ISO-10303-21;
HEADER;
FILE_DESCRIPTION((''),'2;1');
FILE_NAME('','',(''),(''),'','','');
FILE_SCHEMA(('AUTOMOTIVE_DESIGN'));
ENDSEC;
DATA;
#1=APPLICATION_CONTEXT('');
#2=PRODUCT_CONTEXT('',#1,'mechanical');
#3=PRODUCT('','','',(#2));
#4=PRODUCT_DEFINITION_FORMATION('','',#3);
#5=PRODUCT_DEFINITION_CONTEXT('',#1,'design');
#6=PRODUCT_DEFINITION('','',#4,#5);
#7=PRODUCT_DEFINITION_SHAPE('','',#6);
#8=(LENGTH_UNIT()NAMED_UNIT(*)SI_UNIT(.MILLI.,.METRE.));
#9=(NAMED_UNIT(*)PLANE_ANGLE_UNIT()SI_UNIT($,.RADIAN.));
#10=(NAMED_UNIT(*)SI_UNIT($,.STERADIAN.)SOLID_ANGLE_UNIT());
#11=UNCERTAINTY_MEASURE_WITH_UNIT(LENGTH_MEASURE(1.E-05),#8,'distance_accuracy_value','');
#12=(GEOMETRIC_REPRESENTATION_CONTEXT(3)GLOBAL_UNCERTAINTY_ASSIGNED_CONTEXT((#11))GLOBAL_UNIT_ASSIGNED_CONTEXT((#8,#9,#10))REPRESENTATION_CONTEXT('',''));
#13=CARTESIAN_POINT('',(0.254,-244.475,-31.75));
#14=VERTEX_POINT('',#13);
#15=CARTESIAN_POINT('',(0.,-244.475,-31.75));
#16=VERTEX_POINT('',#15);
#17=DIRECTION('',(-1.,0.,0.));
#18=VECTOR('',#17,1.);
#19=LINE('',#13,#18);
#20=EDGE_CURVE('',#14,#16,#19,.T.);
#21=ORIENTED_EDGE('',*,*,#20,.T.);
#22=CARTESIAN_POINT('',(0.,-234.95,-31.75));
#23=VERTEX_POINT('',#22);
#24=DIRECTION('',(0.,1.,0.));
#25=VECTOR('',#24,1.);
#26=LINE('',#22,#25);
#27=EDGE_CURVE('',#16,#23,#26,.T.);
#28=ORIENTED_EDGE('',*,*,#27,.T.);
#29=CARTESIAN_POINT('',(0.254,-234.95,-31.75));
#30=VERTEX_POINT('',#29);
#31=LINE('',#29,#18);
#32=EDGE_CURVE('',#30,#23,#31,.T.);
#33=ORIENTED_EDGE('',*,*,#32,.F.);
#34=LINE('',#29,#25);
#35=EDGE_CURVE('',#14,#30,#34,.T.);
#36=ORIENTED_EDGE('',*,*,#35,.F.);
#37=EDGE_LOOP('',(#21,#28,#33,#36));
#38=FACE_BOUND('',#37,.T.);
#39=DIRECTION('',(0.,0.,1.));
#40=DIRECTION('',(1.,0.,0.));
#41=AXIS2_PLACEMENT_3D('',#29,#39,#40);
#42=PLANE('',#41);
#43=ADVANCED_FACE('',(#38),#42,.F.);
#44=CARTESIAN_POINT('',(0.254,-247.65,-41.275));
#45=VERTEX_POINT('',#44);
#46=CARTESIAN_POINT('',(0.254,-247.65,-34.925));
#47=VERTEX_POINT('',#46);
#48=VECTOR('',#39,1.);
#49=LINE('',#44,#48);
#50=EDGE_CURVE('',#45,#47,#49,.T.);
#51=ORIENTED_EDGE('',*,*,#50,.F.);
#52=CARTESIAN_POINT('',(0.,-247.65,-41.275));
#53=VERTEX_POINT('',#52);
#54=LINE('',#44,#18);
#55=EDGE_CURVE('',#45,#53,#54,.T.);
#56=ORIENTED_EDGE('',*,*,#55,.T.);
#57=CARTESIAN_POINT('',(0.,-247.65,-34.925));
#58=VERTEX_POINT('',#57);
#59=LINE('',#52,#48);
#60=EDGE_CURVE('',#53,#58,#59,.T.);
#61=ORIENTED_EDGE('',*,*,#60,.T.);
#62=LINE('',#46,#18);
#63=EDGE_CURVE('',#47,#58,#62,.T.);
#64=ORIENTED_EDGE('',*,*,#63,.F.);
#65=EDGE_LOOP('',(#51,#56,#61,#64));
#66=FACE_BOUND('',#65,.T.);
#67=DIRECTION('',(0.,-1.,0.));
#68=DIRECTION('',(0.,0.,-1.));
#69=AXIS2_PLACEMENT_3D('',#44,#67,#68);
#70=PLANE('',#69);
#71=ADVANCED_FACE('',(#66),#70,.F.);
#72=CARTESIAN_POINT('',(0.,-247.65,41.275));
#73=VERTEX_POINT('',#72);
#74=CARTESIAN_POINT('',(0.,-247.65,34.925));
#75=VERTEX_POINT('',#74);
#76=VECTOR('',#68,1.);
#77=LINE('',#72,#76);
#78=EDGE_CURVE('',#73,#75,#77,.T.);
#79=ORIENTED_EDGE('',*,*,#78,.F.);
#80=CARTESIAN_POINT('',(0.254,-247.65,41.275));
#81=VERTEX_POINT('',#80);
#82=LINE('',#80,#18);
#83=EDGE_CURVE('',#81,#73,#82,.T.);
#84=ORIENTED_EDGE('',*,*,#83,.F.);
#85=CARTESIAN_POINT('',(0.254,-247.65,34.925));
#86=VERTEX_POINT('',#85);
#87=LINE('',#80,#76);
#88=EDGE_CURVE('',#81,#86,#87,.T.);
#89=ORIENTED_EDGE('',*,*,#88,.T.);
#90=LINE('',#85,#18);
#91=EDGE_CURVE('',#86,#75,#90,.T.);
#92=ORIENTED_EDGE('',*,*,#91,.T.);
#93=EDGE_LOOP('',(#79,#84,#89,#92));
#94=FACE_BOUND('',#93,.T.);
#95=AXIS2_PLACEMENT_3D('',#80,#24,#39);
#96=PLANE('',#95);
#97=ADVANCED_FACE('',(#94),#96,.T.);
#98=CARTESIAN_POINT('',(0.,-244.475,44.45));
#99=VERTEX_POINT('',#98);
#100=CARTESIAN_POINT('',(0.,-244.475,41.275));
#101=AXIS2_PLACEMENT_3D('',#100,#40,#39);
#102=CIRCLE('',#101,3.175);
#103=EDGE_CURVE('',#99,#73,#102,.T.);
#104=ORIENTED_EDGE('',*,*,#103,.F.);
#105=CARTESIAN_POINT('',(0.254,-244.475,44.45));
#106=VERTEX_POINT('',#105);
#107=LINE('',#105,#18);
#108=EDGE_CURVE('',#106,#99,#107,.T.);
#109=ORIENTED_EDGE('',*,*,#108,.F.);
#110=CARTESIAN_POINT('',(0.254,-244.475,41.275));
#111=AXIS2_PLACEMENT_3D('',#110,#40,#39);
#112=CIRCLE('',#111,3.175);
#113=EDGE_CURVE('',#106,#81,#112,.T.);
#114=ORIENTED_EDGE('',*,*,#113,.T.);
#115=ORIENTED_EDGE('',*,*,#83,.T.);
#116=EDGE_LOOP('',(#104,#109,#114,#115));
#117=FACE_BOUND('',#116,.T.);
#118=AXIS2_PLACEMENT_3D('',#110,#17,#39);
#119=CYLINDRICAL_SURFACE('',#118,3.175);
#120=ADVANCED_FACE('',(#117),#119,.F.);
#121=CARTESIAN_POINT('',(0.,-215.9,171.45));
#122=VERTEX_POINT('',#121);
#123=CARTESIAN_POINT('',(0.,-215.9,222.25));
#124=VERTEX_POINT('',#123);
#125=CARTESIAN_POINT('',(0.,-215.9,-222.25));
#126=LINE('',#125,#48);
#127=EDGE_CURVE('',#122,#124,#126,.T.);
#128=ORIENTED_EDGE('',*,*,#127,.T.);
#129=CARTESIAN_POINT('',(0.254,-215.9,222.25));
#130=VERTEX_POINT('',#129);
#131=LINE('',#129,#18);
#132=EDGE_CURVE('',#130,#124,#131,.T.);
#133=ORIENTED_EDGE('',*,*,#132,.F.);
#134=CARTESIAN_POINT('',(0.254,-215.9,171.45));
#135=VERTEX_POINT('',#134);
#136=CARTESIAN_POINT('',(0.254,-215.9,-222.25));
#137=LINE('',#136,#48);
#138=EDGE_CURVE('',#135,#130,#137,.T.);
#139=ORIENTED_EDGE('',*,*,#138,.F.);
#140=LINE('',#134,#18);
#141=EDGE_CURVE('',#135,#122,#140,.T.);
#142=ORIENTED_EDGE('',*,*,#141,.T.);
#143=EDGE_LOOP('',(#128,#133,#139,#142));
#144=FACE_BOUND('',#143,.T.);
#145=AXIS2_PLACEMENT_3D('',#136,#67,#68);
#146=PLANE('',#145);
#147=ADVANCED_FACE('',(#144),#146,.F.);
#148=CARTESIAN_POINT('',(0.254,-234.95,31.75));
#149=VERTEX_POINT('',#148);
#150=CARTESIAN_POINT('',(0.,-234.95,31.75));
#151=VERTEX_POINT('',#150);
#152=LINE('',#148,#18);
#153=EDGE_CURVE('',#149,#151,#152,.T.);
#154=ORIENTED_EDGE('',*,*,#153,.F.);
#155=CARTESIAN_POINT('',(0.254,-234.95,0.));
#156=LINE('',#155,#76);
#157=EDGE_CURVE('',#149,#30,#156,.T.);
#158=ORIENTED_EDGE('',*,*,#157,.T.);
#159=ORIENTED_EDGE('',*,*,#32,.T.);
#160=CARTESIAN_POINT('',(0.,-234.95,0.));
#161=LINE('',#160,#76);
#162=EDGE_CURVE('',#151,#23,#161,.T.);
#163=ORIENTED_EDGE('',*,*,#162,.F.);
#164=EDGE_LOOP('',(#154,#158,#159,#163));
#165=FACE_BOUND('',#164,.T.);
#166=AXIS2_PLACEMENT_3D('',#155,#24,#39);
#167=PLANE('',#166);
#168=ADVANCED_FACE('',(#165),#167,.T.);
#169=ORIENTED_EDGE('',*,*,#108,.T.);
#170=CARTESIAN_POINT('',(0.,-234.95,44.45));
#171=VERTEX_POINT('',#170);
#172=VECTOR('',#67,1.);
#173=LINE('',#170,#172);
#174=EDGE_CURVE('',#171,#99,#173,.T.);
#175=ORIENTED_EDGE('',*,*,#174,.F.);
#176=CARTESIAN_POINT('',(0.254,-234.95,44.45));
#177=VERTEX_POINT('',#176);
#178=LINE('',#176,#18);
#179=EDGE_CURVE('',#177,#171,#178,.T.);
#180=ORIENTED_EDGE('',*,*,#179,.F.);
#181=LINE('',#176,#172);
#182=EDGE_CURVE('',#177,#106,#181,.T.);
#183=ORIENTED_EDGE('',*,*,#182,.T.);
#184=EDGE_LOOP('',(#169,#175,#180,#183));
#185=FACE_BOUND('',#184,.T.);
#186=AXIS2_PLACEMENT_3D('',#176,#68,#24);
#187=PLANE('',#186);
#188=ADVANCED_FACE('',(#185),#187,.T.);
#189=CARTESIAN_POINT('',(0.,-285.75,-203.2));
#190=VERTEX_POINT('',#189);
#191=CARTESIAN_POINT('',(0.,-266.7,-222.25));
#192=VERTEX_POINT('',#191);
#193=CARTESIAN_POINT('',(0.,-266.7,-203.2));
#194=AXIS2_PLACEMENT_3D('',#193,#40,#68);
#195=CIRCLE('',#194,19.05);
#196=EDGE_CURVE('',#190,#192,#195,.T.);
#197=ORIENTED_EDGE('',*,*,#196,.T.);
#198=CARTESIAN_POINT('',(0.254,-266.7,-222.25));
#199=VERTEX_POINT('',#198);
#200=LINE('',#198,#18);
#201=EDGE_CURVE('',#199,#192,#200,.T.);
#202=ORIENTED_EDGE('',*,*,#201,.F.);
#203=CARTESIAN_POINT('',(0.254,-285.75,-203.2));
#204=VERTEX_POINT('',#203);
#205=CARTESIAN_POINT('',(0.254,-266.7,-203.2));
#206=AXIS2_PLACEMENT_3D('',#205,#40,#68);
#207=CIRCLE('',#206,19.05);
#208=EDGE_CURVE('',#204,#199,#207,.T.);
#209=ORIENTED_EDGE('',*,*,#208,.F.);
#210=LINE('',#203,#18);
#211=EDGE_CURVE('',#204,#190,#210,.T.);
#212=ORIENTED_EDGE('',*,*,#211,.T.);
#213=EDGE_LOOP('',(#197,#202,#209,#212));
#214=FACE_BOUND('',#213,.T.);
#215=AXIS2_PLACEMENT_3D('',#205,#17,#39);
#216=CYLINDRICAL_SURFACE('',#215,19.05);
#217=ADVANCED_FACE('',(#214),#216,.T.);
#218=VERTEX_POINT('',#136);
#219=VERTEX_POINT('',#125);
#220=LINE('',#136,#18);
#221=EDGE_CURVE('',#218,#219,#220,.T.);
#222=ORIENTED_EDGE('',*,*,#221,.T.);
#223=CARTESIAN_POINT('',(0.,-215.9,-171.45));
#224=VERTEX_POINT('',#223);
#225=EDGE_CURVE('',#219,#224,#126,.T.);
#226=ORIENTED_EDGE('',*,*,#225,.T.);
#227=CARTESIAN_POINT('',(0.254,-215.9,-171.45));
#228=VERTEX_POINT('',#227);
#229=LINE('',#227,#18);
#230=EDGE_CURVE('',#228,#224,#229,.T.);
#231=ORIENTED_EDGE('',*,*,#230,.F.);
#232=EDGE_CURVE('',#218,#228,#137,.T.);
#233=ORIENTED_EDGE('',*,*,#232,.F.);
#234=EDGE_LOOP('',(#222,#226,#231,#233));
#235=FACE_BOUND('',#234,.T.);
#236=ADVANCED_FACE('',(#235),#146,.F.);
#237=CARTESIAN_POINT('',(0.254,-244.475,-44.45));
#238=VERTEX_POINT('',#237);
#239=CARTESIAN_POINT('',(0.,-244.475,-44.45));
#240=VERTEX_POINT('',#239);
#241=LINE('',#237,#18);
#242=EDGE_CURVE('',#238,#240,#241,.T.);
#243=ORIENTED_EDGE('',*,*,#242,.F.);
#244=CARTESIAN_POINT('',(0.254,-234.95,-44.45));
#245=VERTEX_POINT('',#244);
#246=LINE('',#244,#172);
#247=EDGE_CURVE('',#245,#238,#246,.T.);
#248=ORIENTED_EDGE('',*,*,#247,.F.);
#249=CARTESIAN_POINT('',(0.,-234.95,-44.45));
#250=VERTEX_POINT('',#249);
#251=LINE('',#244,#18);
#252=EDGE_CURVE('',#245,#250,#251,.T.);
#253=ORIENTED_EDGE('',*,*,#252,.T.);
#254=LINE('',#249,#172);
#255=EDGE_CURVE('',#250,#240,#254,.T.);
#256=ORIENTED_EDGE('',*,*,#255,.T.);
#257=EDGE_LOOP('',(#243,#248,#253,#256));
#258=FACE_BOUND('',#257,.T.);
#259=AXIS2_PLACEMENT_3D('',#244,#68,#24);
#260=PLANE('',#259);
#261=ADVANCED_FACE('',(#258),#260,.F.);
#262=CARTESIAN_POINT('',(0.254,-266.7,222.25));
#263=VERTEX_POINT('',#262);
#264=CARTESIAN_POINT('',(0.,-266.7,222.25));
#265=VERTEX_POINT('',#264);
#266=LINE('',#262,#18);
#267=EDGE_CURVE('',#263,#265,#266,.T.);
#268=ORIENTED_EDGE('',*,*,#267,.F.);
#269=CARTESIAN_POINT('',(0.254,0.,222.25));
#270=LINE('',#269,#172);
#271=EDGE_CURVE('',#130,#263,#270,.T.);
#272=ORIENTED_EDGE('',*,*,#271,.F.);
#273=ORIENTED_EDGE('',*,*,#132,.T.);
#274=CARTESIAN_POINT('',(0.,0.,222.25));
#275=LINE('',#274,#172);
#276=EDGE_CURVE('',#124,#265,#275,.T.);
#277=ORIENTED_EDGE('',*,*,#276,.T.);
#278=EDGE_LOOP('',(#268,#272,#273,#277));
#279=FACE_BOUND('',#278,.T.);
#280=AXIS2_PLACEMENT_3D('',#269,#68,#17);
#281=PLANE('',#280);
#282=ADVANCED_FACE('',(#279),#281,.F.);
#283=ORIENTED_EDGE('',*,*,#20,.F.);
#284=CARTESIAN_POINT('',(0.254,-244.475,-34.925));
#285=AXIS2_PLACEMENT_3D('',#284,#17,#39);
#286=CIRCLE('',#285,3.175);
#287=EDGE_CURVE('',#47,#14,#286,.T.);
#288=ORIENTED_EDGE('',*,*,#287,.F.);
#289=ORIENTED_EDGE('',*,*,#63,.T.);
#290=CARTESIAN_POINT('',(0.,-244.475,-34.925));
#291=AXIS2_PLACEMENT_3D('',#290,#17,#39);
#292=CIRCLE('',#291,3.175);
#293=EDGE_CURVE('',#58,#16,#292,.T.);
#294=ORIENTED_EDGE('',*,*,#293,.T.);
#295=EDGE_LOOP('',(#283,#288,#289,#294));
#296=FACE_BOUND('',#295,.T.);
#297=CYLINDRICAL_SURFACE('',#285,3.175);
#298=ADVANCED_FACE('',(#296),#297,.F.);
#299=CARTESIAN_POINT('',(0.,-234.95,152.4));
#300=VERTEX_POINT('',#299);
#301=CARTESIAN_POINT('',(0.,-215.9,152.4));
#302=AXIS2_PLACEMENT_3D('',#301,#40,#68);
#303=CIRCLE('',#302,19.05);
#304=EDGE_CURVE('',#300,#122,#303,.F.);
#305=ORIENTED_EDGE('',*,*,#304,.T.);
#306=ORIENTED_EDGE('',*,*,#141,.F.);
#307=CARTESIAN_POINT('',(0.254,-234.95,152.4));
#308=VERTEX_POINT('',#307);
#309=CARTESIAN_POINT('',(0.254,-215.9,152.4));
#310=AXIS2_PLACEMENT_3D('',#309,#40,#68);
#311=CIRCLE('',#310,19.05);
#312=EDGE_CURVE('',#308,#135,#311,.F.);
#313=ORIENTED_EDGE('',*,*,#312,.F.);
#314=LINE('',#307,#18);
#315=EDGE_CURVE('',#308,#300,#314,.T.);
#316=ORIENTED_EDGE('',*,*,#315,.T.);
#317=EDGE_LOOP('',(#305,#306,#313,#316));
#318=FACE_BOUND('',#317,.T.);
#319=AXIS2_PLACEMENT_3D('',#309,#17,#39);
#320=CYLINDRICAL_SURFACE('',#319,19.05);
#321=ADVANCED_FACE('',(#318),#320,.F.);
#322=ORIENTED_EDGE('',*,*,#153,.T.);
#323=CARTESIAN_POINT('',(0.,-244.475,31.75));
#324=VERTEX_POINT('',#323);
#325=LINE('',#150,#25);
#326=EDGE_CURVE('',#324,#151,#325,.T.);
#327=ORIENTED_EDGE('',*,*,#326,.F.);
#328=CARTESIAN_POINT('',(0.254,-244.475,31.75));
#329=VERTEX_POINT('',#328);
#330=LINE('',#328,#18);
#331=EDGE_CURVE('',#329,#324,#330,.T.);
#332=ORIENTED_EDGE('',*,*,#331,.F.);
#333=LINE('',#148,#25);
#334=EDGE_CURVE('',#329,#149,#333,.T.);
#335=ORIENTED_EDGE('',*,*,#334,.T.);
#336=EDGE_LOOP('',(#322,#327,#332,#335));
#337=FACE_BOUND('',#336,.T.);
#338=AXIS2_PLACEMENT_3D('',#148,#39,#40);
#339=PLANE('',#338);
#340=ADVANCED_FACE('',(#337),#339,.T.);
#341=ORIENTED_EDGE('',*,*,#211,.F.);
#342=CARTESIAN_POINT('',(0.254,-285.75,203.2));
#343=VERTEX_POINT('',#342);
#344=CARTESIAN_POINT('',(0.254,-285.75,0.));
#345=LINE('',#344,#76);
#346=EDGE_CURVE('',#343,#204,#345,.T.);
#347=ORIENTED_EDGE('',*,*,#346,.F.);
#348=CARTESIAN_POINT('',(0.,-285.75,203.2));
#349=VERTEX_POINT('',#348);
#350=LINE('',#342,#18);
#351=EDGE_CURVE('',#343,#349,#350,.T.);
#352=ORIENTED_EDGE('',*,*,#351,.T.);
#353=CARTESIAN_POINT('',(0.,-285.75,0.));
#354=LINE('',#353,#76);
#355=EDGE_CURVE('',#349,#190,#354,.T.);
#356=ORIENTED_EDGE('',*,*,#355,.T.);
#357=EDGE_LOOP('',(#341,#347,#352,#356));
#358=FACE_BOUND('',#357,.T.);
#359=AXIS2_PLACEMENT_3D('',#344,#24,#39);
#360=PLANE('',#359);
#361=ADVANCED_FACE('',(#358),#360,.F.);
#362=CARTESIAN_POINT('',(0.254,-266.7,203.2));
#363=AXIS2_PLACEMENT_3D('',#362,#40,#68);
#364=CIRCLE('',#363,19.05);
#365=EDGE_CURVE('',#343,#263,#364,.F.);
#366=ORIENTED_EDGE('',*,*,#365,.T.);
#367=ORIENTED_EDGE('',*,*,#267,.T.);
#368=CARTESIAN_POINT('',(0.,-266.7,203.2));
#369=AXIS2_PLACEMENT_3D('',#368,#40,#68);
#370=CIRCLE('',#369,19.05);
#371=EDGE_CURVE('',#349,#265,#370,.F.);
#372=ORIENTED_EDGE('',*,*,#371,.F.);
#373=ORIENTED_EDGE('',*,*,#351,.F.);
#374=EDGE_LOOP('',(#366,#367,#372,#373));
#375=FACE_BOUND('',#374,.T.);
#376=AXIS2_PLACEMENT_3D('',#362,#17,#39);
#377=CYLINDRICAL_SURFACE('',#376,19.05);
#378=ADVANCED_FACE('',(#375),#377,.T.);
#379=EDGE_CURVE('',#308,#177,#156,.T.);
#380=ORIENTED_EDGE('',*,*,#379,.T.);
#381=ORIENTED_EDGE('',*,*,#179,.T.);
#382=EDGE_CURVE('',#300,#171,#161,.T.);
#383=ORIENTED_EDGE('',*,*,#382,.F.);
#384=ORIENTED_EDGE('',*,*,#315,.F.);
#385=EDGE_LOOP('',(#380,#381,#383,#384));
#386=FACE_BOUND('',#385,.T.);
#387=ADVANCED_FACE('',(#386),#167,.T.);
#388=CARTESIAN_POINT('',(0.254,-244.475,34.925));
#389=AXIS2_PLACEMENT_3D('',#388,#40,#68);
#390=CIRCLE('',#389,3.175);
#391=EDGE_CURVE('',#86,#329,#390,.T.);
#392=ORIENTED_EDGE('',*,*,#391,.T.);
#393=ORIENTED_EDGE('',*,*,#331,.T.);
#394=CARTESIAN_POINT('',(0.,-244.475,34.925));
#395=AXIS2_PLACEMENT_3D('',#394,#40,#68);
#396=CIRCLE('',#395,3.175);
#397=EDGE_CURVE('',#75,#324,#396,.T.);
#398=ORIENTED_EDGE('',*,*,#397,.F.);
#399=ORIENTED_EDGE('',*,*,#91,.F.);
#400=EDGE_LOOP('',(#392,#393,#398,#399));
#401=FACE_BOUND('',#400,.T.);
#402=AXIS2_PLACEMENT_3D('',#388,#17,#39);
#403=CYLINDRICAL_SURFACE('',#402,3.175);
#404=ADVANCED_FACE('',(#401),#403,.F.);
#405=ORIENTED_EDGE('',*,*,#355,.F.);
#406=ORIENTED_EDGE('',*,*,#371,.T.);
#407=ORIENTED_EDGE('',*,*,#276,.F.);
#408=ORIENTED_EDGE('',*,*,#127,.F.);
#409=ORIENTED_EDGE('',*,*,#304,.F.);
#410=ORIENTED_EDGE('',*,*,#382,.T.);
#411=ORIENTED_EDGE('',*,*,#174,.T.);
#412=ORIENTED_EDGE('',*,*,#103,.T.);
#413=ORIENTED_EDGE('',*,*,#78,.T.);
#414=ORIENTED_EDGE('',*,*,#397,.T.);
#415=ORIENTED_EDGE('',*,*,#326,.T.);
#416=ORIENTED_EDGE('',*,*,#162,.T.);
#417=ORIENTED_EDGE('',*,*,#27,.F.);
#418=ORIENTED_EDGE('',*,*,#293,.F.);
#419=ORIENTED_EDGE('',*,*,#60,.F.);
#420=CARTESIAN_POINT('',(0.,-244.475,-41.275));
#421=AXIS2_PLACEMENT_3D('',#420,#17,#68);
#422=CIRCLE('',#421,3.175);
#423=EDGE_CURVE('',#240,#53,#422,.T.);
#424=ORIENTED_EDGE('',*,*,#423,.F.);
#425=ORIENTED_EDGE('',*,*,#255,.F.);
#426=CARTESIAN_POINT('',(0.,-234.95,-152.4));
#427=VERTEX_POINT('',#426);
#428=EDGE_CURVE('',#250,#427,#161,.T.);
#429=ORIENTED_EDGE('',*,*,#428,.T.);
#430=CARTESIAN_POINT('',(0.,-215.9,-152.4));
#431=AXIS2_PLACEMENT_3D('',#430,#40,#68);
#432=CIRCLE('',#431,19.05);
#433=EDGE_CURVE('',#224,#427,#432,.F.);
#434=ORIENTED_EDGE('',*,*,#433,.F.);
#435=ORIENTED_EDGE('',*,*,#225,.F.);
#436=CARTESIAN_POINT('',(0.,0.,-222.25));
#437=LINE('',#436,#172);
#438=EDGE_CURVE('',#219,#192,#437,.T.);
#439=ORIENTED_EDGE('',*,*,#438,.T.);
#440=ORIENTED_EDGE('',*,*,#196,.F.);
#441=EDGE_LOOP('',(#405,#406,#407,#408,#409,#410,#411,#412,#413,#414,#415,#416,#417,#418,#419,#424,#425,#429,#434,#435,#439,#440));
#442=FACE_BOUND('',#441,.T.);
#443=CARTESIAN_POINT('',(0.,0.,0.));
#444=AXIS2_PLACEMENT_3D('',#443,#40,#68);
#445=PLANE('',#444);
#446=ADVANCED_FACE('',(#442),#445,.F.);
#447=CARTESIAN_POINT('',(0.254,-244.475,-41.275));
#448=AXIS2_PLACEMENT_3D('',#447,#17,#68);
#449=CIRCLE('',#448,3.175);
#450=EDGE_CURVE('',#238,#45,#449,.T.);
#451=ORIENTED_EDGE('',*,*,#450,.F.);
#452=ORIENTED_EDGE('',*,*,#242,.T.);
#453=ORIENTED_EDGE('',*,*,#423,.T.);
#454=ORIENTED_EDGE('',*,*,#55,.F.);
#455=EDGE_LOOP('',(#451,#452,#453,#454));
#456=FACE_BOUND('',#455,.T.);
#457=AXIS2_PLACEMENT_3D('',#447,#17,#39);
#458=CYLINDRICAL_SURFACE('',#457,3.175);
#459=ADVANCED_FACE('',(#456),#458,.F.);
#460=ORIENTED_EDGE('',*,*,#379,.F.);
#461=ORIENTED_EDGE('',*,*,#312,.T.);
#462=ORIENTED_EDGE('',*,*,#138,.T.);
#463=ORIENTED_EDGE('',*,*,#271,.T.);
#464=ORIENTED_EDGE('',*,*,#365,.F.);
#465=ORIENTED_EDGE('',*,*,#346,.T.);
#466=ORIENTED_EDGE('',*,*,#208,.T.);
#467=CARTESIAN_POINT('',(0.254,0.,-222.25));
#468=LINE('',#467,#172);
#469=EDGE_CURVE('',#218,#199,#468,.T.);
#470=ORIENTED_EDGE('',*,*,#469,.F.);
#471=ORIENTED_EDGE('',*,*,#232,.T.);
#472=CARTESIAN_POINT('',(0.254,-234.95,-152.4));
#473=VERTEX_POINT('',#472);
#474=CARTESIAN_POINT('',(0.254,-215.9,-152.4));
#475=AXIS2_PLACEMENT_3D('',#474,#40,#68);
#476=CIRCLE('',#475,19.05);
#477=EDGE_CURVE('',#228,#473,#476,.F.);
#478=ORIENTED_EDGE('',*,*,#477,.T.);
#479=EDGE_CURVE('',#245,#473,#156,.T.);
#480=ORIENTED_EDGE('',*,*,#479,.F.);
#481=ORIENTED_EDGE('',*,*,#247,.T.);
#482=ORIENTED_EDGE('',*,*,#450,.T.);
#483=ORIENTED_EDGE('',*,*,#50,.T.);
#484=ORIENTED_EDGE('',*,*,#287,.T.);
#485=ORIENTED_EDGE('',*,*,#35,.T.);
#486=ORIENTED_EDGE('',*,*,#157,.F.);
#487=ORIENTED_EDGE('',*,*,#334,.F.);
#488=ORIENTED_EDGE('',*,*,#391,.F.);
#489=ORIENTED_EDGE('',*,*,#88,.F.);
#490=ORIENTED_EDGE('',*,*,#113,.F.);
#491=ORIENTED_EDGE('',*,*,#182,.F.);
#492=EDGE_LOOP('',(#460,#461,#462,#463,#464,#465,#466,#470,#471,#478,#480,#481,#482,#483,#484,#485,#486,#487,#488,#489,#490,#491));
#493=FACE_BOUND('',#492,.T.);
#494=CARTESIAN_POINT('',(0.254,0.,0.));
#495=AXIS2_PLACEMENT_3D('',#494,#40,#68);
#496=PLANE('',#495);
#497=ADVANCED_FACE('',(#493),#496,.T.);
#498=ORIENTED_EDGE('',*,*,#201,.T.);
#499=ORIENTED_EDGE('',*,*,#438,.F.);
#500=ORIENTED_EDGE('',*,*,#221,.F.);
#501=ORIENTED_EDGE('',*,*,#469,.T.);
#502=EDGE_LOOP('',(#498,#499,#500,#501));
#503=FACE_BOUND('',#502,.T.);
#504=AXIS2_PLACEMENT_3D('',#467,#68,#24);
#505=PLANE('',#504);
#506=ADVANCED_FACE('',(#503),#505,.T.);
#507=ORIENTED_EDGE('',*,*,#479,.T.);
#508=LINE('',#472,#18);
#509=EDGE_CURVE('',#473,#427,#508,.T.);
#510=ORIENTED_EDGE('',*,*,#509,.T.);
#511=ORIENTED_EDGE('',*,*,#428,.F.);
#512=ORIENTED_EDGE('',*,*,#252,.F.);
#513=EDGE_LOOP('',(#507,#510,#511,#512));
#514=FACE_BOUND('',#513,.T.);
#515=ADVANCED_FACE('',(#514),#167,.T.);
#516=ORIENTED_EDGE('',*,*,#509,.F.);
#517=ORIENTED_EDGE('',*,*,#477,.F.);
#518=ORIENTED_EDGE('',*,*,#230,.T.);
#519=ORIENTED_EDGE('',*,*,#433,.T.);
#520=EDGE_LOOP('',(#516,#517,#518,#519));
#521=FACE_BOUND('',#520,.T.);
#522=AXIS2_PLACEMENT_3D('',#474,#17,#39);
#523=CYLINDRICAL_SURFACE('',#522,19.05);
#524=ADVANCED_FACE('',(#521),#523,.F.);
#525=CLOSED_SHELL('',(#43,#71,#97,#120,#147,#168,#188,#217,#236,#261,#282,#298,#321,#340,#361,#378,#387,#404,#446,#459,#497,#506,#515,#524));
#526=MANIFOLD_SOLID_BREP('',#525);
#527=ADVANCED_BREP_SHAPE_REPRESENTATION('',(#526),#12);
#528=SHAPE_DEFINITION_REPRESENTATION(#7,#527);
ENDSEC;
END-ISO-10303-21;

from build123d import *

# Parameters (mm, degrees)
BOSS_EXTRUDE2_DEPTH = 0.254
CUT_EXTRUDE1_DEPTH  = 1.254
SKETCH13_W          = 444.5
SKETCH13_H          = 215.9
CUT_EXTRUDE3_DEPTH  = 1.254


with BuildPart() as part:
    # Sketch1 → Boss-Extrude2 (new body)
    with BuildSketch(Plane(origin=(0, 0, 0), x_dir=(0, 0, -1), z_dir=(1, 0, 0))):
        with BuildLine():
            Line((-222.25, 0), (-171.45, 0))
            Line((-171.45, 0), (-171.45, -215.9))
            ThreePointArc((-171.45, -215.9), (-165.870384182, -229.370384182), (-152.4, -234.95))
            Line((-152.4, -234.95), (152.4, -234.95))
            ThreePointArc((152.4, -234.95), (165.870384182, -229.370384182), (171.45, -215.9))
            Line((171.45, -215.9), (171.45, 0))
            Line((171.45, 0), (222.25, 0))
            Line((222.25, 0), (222.25, -266.7))
            ThreePointArc((222.25, -266.7), (216.670384182, -280.170384182), (203.2, -285.75))
            Line((203.2, -285.75), (-203.2, -285.75))
            ThreePointArc((-203.2, -285.75), (-216.670384182, -280.170384182), (-222.25, -266.7))
            Line((-222.25, -266.7), (-222.25, 0))
        make_face()
    extrude(amount=BOSS_EXTRUDE2_DEPTH)

    # Sketch11 → Cut-Extrude1 (cut, through all)
    with BuildSketch(Plane.ZY):
        with BuildLine():
            Line((-171.45, -103.759), (-180.975, -103.759))
            ThreePointArc((-180.975, -103.759), (-183.22006403, -104.68893597), (-184.15, -106.934))
            Line((-184.15, -106.934), (-184.15, -133.604))
            ThreePointArc((-184.15, -133.604), (-183.22006403, -135.84906403), (-180.975, -136.779))
            Line((-180.975, -136.779), (-171.45, -136.779))
            Line((-171.45, -136.779), (-171.45, -103.759))
        make_face()
        with BuildLine():
            Line((-44.45, -234.95), (-31.75, -234.95))
            Line((-31.75, -234.95), (-31.75, -244.475))
            ThreePointArc((-31.75, -244.475), (-32.67993597, -246.72006403), (-34.925, -247.65))
            Line((-34.925, -247.65), (-41.275, -247.65))
            ThreePointArc((-41.275, -247.65), (-43.52006403, -246.72006403), (-44.45, -244.475))
            Line((-44.45, -244.475), (-44.45, -234.95))
        make_face()
    cut_extrude1 = extrude(amount=-CUT_EXTRUDE1_DEPTH, mode=Mode.SUBTRACT)

    # Mirror2: Cut-Extrude1 across plane
    add(cut_extrude1.mirror(Plane.XY), mode=Mode.SUBTRACT)

    # Sketch13 → Cut-Extrude3 (cut, through all)
    with BuildSketch(Plane.ZY):
        with Locations((0, -107.95)):
            Rectangle(SKETCH13_W, SKETCH13_H)
    extrude(amount=-CUT_EXTRUDE3_DEPTH, mode=Mode.SUBTRACT)


solid = part.part
